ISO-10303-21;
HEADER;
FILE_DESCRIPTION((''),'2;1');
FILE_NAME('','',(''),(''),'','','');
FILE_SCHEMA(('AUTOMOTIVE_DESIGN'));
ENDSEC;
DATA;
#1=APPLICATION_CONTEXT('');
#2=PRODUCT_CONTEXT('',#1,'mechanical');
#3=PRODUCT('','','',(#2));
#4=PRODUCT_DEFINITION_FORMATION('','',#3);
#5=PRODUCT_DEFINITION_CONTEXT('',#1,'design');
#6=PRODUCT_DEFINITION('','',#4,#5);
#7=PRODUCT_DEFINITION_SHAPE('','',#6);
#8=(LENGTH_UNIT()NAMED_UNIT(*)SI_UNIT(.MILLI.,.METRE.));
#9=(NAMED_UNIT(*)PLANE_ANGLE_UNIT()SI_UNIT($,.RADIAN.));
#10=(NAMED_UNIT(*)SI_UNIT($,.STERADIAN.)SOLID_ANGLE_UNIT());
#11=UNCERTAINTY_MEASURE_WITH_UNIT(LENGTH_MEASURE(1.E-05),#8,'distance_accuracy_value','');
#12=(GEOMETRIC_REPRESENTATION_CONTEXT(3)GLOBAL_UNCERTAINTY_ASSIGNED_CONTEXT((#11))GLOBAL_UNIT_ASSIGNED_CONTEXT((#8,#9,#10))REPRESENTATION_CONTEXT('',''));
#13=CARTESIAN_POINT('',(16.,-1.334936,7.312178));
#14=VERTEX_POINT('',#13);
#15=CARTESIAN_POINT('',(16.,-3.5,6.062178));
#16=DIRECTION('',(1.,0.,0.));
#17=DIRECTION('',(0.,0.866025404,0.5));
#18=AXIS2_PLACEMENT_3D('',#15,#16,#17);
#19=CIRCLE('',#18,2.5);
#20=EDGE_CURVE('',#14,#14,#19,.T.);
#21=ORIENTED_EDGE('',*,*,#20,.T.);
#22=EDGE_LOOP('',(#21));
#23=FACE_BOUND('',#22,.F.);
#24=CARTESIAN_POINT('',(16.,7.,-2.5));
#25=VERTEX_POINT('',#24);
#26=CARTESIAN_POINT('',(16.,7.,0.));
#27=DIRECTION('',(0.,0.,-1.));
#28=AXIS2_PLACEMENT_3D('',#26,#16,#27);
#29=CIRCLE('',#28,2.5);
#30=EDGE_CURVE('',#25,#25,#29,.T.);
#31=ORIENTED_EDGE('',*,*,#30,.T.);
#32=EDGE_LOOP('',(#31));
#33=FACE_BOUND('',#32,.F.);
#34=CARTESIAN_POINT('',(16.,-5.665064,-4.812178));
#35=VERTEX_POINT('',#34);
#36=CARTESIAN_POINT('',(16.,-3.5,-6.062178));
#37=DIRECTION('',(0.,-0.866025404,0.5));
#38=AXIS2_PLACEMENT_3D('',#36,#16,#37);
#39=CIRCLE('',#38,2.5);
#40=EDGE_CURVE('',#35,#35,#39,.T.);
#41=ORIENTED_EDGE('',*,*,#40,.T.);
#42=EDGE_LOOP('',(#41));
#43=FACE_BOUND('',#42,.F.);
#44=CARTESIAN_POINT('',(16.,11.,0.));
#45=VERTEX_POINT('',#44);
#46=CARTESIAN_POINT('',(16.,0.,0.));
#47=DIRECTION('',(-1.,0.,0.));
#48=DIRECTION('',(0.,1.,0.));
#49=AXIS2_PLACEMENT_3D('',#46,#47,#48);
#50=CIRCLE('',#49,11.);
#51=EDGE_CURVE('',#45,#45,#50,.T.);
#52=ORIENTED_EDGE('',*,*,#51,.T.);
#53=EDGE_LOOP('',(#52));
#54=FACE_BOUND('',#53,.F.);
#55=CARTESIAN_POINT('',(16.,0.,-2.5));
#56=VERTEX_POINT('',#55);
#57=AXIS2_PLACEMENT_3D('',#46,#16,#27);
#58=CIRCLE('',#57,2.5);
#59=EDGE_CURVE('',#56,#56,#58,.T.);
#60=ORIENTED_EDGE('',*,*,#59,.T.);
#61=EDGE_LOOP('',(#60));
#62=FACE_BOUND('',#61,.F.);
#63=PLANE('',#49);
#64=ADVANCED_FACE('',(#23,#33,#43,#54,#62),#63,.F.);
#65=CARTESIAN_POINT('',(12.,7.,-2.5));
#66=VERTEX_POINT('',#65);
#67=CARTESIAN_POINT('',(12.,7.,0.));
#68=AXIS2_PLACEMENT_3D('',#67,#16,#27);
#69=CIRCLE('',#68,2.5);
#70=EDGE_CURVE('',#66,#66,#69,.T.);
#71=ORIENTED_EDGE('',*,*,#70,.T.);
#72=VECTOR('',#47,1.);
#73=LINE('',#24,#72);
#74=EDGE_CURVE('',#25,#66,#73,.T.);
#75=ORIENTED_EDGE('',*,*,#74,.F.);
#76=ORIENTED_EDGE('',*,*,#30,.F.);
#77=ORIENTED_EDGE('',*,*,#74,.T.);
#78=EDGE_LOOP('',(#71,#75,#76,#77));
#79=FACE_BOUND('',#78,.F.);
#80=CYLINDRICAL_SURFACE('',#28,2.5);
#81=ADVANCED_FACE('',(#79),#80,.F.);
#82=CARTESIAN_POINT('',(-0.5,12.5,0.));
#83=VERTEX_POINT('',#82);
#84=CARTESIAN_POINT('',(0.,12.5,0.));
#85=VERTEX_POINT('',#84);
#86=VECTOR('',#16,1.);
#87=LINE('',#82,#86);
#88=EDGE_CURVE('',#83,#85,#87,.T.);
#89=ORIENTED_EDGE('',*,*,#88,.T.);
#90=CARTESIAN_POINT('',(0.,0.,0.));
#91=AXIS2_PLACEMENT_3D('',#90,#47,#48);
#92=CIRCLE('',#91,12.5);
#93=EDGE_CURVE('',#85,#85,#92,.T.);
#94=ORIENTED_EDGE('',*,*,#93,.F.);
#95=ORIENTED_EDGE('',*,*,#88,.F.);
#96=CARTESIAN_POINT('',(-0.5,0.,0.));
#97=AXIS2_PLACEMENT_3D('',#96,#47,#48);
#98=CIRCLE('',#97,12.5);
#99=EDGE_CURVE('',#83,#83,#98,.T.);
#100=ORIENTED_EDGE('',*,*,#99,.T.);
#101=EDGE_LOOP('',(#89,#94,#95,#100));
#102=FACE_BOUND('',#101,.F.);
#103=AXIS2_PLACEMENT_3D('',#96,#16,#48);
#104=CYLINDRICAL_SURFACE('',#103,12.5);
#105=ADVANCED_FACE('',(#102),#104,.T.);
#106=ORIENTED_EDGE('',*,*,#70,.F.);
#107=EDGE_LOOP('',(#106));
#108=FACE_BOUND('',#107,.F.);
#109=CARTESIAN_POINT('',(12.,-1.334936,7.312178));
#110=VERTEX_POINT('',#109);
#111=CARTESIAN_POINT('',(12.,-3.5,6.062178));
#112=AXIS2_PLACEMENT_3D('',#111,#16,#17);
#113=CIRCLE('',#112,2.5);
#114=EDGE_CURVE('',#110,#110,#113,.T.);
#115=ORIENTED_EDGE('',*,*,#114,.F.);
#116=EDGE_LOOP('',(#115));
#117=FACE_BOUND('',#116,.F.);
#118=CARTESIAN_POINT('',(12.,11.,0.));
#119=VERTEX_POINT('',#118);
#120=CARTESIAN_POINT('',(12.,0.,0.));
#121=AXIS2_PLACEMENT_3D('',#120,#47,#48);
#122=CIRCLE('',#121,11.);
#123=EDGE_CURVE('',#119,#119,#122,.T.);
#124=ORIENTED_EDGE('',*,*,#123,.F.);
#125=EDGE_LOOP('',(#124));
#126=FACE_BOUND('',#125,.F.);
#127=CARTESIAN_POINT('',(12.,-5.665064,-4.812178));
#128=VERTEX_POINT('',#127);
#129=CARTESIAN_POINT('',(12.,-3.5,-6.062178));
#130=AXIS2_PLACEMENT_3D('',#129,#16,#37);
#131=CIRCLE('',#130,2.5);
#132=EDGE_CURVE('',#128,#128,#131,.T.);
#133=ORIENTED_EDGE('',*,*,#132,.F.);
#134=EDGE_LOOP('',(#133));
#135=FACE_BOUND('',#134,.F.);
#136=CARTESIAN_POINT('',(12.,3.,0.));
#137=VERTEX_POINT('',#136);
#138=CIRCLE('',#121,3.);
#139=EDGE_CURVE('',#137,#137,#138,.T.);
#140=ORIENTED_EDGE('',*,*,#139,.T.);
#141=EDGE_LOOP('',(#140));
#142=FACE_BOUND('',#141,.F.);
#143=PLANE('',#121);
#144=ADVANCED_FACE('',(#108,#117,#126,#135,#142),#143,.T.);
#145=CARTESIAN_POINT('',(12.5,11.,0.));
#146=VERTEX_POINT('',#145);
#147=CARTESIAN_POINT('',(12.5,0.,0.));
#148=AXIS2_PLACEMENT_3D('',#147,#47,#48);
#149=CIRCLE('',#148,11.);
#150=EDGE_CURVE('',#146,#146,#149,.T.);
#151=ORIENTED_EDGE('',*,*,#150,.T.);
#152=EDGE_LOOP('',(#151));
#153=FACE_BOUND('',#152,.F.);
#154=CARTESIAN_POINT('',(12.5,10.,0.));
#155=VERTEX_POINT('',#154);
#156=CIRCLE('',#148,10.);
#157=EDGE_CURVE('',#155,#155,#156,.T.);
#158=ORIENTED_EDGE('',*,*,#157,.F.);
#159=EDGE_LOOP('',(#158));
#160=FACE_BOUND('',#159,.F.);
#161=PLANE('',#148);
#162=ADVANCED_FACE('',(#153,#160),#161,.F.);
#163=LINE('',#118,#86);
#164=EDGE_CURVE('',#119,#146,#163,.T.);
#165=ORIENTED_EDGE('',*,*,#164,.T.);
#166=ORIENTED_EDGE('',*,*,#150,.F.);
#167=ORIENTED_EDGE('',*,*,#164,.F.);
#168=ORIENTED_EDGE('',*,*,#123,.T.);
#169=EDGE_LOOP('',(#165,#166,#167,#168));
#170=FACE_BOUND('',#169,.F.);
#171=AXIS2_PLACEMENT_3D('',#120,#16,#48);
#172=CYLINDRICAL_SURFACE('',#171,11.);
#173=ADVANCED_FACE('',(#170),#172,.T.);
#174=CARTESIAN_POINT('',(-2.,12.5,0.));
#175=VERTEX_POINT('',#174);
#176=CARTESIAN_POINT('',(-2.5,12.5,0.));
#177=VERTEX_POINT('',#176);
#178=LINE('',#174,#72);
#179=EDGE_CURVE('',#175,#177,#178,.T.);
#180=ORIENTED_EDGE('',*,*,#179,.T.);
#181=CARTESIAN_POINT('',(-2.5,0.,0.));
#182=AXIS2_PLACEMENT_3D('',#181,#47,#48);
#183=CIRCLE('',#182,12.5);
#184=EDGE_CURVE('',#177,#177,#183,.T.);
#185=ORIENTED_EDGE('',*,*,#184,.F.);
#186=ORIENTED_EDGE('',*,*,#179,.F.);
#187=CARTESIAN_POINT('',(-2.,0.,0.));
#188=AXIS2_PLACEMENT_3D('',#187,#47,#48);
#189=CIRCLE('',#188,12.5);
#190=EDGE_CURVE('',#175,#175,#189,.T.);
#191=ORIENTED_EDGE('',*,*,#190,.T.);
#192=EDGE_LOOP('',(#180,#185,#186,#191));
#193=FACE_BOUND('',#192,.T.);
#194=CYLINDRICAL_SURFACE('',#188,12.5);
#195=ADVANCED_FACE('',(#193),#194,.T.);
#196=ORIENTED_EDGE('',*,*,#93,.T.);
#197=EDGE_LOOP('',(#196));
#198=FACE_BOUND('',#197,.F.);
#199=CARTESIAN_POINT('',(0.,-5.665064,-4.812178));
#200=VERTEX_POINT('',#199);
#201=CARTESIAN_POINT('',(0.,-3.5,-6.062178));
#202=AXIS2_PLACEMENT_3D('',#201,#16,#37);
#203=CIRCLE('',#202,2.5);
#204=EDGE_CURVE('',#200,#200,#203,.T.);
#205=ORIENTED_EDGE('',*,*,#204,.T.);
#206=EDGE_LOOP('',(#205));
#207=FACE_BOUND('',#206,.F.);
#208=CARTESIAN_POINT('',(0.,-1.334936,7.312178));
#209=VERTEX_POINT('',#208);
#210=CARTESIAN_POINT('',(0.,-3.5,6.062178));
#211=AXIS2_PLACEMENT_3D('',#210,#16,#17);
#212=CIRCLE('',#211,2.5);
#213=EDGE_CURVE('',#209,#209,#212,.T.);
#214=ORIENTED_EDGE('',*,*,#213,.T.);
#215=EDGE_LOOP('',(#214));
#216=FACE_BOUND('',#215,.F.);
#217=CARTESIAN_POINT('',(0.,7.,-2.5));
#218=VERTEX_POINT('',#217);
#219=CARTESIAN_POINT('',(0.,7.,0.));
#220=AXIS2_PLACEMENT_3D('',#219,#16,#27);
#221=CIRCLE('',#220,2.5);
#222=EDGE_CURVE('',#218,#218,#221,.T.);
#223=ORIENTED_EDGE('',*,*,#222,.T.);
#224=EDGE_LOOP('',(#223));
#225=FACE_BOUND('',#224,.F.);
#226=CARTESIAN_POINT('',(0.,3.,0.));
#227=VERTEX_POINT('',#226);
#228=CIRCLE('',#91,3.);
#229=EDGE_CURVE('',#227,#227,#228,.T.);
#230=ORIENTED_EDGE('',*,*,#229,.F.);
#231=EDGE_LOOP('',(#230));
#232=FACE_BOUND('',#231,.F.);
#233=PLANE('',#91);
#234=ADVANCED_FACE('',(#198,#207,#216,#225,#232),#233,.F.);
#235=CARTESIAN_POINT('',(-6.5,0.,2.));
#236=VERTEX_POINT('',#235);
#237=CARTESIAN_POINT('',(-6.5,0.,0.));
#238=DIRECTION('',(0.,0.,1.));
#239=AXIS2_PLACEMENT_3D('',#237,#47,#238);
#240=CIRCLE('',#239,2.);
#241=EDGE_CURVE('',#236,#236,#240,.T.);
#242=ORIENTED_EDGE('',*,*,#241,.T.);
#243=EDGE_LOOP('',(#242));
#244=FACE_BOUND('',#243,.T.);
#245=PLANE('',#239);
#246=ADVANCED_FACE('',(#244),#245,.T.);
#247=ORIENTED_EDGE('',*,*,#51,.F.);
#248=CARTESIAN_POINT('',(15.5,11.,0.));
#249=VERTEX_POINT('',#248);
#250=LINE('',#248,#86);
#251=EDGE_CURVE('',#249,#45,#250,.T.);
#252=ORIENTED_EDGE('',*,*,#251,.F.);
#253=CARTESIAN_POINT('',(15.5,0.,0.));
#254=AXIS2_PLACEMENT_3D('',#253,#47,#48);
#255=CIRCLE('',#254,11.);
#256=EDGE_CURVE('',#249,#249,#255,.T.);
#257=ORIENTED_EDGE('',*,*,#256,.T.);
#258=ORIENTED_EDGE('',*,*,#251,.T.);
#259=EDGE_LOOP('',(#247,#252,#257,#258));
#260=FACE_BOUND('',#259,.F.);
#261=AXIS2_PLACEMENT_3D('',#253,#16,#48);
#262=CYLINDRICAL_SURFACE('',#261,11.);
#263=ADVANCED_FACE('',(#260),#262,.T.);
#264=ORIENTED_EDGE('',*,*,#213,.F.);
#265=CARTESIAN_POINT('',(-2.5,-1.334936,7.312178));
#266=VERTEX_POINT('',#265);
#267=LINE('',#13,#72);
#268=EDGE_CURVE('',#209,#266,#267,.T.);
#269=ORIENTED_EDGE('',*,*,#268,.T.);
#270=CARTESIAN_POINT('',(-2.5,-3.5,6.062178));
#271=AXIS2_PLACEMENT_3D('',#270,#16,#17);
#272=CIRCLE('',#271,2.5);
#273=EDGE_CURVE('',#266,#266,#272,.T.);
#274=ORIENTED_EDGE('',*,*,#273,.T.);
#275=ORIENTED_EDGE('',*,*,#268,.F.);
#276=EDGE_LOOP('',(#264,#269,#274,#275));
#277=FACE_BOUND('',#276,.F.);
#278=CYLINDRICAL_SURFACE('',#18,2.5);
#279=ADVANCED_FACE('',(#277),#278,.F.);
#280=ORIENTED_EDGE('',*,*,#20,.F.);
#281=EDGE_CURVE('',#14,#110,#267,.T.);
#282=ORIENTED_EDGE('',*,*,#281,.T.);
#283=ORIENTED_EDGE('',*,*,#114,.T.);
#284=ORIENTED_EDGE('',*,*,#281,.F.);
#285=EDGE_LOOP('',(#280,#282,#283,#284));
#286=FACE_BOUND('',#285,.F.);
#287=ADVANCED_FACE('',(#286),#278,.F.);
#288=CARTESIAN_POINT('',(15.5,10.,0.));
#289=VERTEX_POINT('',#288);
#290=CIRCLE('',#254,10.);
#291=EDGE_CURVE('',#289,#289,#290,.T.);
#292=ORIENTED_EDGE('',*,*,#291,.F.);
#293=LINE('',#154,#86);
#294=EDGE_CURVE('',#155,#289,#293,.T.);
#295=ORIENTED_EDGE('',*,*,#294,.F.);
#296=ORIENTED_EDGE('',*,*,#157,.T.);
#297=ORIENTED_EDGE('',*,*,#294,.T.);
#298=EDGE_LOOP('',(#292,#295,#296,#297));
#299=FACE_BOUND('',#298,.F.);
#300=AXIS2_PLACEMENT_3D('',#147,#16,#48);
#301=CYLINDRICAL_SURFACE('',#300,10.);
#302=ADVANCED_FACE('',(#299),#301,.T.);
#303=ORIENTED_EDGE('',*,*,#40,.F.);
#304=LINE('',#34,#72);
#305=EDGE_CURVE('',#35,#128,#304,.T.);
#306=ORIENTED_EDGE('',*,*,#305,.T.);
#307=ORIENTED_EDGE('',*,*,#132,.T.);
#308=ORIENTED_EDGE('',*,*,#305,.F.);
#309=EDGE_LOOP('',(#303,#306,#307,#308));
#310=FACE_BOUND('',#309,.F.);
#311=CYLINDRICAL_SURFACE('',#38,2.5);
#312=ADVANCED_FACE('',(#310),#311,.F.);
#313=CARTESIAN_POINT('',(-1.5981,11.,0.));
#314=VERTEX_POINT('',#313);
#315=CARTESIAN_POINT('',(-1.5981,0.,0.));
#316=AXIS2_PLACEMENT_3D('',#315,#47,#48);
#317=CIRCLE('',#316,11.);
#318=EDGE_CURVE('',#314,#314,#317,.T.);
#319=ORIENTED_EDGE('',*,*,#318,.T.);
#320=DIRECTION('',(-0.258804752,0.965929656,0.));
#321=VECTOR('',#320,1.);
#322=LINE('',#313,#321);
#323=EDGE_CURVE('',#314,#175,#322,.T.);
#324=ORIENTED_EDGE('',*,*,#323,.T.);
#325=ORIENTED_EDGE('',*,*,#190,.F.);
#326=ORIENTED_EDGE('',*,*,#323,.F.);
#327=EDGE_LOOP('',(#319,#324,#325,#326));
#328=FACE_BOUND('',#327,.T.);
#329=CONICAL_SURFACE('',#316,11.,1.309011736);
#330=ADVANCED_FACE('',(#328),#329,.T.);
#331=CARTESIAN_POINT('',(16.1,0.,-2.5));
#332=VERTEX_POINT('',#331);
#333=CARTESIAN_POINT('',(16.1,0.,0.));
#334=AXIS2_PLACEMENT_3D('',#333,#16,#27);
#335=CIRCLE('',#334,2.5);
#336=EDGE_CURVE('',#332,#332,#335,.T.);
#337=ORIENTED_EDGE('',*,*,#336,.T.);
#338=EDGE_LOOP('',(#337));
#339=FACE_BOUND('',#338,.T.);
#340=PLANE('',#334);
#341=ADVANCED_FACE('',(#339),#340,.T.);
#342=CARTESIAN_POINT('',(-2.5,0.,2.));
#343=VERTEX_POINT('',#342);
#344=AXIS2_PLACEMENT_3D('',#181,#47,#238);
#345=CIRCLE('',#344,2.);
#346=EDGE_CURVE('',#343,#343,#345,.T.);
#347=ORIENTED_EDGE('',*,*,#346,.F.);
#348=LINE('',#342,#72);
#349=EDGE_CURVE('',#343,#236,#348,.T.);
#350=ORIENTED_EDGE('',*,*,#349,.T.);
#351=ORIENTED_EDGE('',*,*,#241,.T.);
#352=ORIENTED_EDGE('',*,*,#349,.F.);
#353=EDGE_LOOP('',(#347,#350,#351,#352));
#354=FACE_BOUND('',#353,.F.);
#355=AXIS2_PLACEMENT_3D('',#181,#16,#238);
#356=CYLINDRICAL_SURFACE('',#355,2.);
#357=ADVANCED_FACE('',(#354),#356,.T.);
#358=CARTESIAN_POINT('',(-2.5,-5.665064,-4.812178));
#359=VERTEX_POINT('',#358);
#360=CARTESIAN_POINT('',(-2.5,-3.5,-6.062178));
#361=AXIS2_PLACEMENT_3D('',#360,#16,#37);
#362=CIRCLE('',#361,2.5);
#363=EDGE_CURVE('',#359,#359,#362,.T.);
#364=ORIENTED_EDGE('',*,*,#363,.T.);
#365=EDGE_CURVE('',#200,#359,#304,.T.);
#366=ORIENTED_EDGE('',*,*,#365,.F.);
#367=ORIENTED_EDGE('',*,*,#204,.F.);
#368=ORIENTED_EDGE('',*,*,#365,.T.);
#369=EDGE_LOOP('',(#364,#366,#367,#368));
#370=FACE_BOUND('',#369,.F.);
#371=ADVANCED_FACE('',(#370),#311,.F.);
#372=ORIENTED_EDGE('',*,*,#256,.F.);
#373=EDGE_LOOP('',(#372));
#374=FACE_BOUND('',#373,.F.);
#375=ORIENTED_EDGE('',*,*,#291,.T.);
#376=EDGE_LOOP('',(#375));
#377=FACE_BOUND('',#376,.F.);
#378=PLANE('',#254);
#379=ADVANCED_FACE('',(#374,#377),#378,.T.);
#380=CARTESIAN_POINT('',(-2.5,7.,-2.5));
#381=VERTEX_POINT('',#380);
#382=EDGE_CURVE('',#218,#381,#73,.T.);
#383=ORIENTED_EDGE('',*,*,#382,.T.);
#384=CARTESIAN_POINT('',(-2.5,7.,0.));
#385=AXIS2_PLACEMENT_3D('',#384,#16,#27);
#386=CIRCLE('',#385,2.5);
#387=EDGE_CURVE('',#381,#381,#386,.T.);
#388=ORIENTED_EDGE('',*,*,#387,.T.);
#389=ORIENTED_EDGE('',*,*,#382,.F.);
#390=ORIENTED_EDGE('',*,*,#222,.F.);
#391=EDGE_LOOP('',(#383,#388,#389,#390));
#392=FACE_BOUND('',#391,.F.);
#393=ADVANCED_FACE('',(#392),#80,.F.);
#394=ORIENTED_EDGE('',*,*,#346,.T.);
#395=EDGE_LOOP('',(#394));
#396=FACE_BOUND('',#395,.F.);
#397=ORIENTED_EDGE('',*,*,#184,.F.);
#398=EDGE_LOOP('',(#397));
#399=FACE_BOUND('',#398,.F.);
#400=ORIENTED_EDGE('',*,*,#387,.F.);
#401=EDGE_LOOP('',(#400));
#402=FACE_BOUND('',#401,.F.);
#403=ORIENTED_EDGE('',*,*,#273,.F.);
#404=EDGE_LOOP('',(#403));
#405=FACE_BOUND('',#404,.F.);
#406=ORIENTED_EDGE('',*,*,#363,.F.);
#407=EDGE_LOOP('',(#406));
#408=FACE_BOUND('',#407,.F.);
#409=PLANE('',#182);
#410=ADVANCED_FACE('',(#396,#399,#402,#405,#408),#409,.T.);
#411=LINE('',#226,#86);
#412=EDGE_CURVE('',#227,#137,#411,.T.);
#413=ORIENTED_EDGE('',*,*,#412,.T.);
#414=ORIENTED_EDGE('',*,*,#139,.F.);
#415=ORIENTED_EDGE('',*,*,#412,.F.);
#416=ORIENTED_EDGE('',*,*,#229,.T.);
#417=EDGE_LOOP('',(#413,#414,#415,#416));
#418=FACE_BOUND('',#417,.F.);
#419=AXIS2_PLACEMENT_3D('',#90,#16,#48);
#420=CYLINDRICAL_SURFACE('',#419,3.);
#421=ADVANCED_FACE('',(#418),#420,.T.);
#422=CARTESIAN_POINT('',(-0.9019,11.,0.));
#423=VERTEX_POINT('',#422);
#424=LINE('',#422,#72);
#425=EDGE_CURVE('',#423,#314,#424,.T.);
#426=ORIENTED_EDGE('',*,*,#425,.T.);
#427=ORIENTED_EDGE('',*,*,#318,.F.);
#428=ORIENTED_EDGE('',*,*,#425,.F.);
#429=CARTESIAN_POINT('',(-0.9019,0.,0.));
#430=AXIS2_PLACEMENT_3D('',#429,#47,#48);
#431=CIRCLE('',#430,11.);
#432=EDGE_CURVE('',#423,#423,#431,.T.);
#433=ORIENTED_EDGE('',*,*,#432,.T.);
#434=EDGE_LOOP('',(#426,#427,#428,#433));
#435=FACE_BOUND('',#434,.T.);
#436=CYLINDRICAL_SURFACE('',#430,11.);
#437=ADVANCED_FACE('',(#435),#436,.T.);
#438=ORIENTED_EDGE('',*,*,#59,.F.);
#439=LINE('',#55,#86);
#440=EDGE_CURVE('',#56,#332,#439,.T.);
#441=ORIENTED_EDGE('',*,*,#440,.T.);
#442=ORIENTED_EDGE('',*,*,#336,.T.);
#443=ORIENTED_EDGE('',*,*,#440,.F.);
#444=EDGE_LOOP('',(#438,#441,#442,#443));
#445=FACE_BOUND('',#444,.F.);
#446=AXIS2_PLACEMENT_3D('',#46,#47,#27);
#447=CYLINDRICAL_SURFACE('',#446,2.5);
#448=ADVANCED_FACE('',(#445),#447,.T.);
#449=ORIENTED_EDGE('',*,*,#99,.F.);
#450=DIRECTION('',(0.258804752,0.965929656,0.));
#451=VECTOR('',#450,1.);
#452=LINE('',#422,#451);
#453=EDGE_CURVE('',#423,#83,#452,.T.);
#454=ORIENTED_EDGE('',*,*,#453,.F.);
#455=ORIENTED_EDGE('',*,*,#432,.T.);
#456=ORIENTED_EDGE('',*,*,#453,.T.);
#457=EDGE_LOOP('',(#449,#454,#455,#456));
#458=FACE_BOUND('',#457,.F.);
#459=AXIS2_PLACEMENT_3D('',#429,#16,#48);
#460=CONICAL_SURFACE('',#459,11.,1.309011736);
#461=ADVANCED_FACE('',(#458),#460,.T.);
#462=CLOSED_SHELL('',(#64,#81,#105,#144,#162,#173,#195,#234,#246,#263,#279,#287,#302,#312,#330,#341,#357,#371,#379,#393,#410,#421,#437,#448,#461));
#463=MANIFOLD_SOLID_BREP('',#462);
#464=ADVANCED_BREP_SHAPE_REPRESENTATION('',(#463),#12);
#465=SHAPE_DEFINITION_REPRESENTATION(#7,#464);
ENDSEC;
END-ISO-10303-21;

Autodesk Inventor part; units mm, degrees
ref_plane "YZ Plane" through (0, 0, 0) normal (1, 0, 0) x (0, 1, 0)
ref_plane "XZ Plane" through (0, 0, 0) normal (0, 1, 0) x (-1, 0, 0)
ref_plane "XY Plane" through (0, 0, 0) normal (0, 0, 1) x (1, 0, 0)
sketch "Sketch1" plane through (0, 0, 0) normal (0, 0, 1) x (1, 0, 0)
  line L0 (0, 0) -> (0, 3)
  line L1 (0, 3) -> (12, 3)
  line L2 (12, 3) -> (12, 11)
  line L3 (12, 11) -> (12.5, 11)
  line L4 (12.5, 11) -> (12.5, 10)
  line L5 (12.5, 10) -> (15.5, 10)
  line L6 (15.5, 10) -> (15.5, 11)
  line L7 (15.5, 11) -> (16, 11)
  line L8 (16, 11) -> (16, 0)
  line L9 (16, 0) -> (0, 0)
  dimension "d0" = 3
  dimension "d1" = 12
  dimension "d2" = 0.5
  dimension "d3" = 10
  dimension "d4" = 0.5
  dimension "d5" = 1
  dimension "d6" = 3
revolve "Revolution1" add sketch "Sketch1" angle 360 about axis through (16, 0, 0) along (-1, 0, 0)
sketch "Sketch2" plane through (0, 0, 0) normal (0, 0, 1) x (1, 0, 0)
  line L0 (0, -3) -> (0, 3) projected
  line L1 (0, 0) -> (-2.5, 0)
  line L2 (-2.5, 0) -> (-2.5, 12.5)
  line L3 (-2.5, 12.5) -> (0, 12.5) construction
  line L4 (0, 12.5) -> (0, 0)
  line L5 (-1.25, 12.5) -> (-1.25, 11) construction
  line L6 (-1.25, 11) -> (-1.5981, 11)
  line L7 (-1.5981, 11) -> (-2, 12.5)
  line L8 (-0.9019, 11) -> (-0.5, 12.5)
  line L9 (-0.9019, 11) -> (-1.25, 11)
  line L10 (-2, 12.5) -> (-2.5, 12.5)
  line L11 (-0.5, 12.5) -> (0, 12.5)
  dimension "d8" = 12.5
  dimension "d9" = 2.5
  dimension "d10" = 1.5
  dimension "d11" = 15
  dimension "d12" = 0.75
revolve "Revolution2" add sketch "Sketch2" angle 360 about axis through (0, 0, 0) along (-1, 0, 0)
sketch "Sketch3" plane through (-2.5, 0, 0) normal (-1, 0, 0) x (0, 0, 1)
  circle A0 centre (0, 0) radius 12.5 projected
  circle A1 centre (0, 0) radius 2
  dimension "d14" = 4
extrude "Extrusion1" add sketch "Sketch3" along normal blind 4 contours A1
sketch "Sketch4" plane through (16, 0, 0) normal (1, 0, 0) x (0, 0, -1)
  circle A0 centre (0, 0) radius 10.5
  circle A1 centre (0, 0) radius 10
  circle A2 centre (0, 0) radius 11
  circle A3 centre (0, 7) radius 2.5
  circle A4 centre (0, 0) radius 3 construction
  dimension "d17" = 7
  dimension "d18" = 5
  dimension "d19" = 6
extrude "Extrusion2" cut sketch "Sketch4" against normal through all contours A3
pattern_circular "Circular Pattern1" count 3 over 360 about axis through (6, 0, 0) along (1, 0, 0) of "Extrusion2"
sketch "Sketch5" plane through (16, 0, 0) normal (1, 0, 0) x (0, 0, -1)
  circle A0 centre (0, 0) radius 11 projected
  circle A1 centre (0, 0) radius 2.5
  dimension "d25" = 5
extrude "Extrusion3" add sketch "Sketch5" along normal blind 0.1 contours A1
properties part number "PulleyMotor"
